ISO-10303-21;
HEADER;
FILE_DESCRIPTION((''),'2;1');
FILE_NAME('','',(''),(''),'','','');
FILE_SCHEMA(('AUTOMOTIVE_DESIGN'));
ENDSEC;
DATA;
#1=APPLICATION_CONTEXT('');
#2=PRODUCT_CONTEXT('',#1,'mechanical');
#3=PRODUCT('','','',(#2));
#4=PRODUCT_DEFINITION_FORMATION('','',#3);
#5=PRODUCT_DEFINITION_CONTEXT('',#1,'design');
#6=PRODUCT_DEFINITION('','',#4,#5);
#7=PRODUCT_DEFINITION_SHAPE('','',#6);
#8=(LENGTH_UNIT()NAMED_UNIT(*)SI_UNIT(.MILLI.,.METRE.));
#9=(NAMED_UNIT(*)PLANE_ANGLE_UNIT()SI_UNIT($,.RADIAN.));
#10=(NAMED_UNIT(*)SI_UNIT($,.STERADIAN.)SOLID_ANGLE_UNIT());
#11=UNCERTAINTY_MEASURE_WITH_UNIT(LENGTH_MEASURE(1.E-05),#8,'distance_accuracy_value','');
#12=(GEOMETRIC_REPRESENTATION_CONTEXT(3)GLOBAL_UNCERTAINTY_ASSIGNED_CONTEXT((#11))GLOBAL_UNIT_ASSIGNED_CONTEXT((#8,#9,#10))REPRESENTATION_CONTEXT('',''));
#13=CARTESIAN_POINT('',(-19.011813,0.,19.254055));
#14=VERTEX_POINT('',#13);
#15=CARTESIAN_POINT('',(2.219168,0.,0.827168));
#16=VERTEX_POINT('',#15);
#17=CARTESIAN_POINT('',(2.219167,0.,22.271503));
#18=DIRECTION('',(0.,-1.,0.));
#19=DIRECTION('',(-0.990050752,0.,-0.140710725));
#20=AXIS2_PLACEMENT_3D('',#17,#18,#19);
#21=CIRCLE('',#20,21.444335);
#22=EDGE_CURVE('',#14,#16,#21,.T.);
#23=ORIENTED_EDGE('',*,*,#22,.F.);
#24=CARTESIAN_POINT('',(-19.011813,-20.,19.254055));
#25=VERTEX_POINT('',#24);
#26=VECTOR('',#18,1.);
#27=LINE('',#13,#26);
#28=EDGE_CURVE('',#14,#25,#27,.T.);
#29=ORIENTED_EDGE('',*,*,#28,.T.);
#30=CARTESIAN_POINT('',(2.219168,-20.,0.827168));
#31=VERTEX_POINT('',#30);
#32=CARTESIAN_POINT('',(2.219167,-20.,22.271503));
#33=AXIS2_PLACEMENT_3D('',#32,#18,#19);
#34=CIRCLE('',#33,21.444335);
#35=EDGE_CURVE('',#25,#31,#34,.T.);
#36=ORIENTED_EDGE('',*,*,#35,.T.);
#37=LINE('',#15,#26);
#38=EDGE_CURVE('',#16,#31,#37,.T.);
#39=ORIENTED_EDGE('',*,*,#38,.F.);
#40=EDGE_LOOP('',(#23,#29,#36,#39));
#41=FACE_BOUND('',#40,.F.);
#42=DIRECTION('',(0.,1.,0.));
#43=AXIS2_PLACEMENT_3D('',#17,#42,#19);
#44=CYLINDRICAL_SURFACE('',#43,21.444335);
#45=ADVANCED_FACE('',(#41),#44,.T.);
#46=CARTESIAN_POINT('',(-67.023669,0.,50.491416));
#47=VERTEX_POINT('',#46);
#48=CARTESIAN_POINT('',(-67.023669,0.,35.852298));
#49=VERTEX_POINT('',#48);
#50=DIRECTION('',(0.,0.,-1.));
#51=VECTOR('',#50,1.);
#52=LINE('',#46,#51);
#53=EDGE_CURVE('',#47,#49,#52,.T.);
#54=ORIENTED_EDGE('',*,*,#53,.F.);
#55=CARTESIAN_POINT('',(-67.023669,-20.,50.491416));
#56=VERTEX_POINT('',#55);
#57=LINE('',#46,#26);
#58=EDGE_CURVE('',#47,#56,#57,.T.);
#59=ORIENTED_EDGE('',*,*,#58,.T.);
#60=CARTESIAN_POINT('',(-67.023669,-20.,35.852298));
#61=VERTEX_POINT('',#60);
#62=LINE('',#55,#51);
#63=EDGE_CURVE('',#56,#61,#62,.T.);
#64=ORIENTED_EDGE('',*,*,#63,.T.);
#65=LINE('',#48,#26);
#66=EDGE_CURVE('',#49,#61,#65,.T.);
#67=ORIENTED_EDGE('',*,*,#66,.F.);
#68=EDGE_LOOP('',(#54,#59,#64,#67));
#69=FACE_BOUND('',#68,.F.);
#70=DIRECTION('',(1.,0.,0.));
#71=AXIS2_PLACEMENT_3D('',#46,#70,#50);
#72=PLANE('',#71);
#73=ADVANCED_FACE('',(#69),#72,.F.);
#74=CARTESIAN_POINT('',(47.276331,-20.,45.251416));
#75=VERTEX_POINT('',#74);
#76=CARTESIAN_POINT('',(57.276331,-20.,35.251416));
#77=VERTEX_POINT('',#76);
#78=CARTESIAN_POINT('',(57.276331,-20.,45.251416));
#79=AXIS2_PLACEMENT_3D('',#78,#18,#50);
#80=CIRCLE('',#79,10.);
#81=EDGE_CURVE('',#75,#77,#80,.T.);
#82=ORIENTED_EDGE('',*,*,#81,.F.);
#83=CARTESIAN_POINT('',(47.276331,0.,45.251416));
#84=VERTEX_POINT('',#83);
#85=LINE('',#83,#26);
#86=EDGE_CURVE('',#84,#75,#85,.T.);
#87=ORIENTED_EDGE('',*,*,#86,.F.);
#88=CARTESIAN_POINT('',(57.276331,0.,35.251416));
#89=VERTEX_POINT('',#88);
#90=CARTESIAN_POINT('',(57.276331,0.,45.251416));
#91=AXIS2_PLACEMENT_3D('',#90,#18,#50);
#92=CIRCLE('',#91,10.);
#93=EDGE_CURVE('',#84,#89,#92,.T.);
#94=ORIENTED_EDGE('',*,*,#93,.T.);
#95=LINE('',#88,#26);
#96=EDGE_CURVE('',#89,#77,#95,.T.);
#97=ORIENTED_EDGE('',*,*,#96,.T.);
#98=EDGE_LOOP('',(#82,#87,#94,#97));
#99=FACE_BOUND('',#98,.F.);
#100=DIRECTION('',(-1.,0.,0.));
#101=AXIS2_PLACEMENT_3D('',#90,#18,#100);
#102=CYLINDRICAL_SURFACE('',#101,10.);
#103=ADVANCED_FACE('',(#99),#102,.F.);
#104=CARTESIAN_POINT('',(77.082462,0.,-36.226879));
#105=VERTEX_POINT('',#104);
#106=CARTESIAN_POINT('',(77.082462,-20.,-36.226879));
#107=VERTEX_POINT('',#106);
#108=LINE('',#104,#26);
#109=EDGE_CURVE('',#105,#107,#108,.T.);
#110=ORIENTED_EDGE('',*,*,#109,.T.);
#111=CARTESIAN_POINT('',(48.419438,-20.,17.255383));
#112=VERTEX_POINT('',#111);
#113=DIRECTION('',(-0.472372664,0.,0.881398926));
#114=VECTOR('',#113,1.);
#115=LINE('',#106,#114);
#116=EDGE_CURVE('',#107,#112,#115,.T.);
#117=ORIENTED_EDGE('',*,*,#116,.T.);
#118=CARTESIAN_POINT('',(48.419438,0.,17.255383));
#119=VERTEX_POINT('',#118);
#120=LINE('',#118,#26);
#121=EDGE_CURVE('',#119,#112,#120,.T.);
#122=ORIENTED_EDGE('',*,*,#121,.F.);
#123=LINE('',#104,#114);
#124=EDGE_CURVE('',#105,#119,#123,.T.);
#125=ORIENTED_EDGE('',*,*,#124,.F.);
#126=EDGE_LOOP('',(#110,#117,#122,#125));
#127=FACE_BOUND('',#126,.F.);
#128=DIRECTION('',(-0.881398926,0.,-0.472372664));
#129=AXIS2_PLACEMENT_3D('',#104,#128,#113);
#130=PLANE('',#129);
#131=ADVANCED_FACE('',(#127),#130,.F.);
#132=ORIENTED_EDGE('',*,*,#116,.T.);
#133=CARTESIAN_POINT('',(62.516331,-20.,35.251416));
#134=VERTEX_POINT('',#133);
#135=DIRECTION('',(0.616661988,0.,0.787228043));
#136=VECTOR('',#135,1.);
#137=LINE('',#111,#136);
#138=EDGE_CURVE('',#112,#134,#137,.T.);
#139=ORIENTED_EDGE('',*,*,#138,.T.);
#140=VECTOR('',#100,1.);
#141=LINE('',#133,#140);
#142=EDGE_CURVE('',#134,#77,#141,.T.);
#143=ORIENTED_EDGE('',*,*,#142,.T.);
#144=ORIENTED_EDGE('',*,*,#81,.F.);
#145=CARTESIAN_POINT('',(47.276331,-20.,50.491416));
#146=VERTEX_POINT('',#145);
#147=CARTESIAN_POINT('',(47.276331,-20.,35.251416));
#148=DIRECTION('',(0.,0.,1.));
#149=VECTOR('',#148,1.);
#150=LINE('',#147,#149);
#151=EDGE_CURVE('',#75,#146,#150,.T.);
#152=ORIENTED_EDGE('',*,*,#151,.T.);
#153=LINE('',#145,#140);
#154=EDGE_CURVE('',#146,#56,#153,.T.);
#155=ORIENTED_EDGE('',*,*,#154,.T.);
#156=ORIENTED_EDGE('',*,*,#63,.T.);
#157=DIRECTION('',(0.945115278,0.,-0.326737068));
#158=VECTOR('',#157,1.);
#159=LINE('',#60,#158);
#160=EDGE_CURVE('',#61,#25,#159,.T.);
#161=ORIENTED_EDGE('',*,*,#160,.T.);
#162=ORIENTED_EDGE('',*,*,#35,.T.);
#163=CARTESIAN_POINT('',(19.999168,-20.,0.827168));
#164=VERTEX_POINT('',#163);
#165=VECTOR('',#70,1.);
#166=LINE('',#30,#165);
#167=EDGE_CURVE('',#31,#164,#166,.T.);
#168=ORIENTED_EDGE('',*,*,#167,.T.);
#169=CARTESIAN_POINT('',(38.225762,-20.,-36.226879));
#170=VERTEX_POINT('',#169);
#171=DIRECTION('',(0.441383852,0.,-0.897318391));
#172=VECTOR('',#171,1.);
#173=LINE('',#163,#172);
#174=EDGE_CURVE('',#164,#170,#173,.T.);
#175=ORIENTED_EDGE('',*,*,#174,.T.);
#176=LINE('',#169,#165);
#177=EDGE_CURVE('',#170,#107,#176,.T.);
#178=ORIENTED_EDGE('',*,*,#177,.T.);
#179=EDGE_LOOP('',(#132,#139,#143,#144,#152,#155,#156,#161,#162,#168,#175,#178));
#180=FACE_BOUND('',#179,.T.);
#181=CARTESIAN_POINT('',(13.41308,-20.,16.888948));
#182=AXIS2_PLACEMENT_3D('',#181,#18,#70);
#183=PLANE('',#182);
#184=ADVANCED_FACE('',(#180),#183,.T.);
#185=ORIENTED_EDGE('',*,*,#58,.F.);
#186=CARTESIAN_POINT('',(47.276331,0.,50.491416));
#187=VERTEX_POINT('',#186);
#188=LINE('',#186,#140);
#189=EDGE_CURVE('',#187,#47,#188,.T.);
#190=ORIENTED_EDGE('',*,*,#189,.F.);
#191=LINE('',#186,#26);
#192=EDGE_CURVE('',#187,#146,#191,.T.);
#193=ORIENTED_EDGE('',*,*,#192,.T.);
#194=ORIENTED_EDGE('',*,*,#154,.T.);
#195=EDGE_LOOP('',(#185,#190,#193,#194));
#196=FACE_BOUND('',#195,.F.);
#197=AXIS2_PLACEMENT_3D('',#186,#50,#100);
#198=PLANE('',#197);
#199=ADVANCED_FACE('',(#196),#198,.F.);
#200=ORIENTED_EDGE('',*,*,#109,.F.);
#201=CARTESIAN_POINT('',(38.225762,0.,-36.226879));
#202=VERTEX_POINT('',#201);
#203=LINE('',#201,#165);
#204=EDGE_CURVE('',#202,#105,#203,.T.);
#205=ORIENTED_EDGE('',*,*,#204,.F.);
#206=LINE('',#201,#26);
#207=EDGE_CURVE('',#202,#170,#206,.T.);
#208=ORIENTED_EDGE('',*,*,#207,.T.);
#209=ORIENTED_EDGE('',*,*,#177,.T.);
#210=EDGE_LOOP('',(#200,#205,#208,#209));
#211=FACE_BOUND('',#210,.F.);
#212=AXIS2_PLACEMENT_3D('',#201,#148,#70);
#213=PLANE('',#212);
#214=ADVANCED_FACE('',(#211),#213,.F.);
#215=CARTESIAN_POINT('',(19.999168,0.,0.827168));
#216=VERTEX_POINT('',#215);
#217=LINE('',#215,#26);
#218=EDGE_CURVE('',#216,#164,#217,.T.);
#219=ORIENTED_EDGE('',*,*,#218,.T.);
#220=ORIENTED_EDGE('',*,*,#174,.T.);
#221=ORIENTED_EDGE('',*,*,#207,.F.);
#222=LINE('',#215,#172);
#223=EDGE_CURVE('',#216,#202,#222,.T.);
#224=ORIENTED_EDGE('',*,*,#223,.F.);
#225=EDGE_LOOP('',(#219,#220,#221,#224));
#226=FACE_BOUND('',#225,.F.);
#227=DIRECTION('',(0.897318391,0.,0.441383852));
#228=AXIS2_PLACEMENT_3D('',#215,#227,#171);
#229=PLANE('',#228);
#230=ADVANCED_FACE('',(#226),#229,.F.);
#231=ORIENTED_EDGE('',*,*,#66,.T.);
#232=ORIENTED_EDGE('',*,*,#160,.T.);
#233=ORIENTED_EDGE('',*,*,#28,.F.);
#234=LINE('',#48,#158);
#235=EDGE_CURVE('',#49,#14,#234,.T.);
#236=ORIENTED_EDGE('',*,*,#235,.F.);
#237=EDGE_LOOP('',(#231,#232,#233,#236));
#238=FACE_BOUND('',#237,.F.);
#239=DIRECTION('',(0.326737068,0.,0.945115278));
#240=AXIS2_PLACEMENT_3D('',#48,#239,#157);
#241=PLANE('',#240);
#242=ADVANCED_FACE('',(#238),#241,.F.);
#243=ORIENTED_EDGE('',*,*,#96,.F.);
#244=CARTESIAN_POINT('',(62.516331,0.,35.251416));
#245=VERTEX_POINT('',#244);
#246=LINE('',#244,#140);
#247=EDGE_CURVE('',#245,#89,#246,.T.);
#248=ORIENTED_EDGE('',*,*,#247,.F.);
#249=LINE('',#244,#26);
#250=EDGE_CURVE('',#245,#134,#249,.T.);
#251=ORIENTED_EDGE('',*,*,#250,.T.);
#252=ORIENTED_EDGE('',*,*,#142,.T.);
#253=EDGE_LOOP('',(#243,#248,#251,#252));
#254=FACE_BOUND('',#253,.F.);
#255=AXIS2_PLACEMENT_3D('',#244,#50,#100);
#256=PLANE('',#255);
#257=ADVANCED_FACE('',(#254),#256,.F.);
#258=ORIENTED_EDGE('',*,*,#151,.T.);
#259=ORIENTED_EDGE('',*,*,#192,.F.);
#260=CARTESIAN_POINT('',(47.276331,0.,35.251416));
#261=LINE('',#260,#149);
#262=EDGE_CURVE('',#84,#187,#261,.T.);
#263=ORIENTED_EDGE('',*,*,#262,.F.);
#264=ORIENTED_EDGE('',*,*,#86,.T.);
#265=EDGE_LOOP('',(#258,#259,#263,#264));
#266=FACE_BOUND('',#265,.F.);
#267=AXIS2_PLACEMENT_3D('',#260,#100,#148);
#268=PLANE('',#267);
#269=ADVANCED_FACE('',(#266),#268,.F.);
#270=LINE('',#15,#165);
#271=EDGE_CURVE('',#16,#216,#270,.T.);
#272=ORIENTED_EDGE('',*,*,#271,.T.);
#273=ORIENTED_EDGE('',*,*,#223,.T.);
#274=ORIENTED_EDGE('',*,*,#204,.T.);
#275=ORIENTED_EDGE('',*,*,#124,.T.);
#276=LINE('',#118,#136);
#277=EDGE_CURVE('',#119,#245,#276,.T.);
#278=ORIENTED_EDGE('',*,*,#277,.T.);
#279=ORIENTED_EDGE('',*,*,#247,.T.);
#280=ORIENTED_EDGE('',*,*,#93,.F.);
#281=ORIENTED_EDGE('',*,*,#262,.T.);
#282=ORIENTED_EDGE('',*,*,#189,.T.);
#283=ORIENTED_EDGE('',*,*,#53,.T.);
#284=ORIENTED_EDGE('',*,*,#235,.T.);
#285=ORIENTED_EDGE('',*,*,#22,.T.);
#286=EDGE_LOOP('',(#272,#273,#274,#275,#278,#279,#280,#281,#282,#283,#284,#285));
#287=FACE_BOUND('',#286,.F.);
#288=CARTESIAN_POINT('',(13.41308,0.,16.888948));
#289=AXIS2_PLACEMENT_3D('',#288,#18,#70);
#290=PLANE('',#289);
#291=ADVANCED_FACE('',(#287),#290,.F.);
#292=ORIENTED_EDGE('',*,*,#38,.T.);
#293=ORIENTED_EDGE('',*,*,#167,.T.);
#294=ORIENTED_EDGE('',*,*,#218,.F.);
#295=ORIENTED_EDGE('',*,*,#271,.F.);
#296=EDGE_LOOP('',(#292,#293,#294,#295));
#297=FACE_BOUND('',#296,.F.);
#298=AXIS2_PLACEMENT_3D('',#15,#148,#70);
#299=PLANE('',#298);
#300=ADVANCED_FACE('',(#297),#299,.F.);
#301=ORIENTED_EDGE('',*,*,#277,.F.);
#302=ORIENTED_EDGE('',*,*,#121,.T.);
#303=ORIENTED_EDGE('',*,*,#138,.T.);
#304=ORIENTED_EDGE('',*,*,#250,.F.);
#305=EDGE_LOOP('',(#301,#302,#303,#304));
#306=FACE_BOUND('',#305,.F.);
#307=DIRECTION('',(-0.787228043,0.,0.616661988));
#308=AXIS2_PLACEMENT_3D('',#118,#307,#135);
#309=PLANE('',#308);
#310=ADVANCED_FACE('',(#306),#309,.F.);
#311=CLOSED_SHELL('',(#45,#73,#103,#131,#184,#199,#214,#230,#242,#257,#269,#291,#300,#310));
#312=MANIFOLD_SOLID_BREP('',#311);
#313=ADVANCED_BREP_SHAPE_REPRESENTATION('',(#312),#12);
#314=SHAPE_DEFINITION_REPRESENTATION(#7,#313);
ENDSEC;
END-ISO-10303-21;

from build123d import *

# Parameters (mm, degrees)
F1_DEPTH = 20
F2_R     = 10


with BuildPart() as f1:
    # F0 (on Front) → F1 (new body)
    with BuildSketch(Plane.XZ):
        with BuildLine():
            Line((47.276331, 35.251416), (47.276331, 50.491416))
            Line((47.276331, 50.491416), (-67.023669, 50.491416))
            Line((-67.023669, 50.491416), (-67.023669, 35.852298))
            Line((-67.023669, 35.852298), (-19.011813, 19.254055))
            ThreePointArc((-19.011813, 19.254055), (-11.837012, 6.076339), (2.219168, 0.827168))
            Line((2.219168, 0.827168), (19.999168, 0.827168))
            Line((19.999168, 0.827168), (38.225762, -36.226879))
            Line((38.225762, -36.226879), (77.082462, -36.226879))
            Line((77.082462, -36.226879), (48.419438, 17.255383))
            Line((48.419438, 17.255383), (62.516331, 35.251416))
            Line((62.516331, 35.251416), (47.276331, 35.251416))
        make_face()
    extrude(amount=F1_DEPTH)

    # F2
    f2_edges = [f1.edges().sort_by_distance(p)[0] for p in [
        (47.276331, -10, 35.251416),
    ]]
    fillet(f2_edges, radius=F2_R)


solid = f1.part
